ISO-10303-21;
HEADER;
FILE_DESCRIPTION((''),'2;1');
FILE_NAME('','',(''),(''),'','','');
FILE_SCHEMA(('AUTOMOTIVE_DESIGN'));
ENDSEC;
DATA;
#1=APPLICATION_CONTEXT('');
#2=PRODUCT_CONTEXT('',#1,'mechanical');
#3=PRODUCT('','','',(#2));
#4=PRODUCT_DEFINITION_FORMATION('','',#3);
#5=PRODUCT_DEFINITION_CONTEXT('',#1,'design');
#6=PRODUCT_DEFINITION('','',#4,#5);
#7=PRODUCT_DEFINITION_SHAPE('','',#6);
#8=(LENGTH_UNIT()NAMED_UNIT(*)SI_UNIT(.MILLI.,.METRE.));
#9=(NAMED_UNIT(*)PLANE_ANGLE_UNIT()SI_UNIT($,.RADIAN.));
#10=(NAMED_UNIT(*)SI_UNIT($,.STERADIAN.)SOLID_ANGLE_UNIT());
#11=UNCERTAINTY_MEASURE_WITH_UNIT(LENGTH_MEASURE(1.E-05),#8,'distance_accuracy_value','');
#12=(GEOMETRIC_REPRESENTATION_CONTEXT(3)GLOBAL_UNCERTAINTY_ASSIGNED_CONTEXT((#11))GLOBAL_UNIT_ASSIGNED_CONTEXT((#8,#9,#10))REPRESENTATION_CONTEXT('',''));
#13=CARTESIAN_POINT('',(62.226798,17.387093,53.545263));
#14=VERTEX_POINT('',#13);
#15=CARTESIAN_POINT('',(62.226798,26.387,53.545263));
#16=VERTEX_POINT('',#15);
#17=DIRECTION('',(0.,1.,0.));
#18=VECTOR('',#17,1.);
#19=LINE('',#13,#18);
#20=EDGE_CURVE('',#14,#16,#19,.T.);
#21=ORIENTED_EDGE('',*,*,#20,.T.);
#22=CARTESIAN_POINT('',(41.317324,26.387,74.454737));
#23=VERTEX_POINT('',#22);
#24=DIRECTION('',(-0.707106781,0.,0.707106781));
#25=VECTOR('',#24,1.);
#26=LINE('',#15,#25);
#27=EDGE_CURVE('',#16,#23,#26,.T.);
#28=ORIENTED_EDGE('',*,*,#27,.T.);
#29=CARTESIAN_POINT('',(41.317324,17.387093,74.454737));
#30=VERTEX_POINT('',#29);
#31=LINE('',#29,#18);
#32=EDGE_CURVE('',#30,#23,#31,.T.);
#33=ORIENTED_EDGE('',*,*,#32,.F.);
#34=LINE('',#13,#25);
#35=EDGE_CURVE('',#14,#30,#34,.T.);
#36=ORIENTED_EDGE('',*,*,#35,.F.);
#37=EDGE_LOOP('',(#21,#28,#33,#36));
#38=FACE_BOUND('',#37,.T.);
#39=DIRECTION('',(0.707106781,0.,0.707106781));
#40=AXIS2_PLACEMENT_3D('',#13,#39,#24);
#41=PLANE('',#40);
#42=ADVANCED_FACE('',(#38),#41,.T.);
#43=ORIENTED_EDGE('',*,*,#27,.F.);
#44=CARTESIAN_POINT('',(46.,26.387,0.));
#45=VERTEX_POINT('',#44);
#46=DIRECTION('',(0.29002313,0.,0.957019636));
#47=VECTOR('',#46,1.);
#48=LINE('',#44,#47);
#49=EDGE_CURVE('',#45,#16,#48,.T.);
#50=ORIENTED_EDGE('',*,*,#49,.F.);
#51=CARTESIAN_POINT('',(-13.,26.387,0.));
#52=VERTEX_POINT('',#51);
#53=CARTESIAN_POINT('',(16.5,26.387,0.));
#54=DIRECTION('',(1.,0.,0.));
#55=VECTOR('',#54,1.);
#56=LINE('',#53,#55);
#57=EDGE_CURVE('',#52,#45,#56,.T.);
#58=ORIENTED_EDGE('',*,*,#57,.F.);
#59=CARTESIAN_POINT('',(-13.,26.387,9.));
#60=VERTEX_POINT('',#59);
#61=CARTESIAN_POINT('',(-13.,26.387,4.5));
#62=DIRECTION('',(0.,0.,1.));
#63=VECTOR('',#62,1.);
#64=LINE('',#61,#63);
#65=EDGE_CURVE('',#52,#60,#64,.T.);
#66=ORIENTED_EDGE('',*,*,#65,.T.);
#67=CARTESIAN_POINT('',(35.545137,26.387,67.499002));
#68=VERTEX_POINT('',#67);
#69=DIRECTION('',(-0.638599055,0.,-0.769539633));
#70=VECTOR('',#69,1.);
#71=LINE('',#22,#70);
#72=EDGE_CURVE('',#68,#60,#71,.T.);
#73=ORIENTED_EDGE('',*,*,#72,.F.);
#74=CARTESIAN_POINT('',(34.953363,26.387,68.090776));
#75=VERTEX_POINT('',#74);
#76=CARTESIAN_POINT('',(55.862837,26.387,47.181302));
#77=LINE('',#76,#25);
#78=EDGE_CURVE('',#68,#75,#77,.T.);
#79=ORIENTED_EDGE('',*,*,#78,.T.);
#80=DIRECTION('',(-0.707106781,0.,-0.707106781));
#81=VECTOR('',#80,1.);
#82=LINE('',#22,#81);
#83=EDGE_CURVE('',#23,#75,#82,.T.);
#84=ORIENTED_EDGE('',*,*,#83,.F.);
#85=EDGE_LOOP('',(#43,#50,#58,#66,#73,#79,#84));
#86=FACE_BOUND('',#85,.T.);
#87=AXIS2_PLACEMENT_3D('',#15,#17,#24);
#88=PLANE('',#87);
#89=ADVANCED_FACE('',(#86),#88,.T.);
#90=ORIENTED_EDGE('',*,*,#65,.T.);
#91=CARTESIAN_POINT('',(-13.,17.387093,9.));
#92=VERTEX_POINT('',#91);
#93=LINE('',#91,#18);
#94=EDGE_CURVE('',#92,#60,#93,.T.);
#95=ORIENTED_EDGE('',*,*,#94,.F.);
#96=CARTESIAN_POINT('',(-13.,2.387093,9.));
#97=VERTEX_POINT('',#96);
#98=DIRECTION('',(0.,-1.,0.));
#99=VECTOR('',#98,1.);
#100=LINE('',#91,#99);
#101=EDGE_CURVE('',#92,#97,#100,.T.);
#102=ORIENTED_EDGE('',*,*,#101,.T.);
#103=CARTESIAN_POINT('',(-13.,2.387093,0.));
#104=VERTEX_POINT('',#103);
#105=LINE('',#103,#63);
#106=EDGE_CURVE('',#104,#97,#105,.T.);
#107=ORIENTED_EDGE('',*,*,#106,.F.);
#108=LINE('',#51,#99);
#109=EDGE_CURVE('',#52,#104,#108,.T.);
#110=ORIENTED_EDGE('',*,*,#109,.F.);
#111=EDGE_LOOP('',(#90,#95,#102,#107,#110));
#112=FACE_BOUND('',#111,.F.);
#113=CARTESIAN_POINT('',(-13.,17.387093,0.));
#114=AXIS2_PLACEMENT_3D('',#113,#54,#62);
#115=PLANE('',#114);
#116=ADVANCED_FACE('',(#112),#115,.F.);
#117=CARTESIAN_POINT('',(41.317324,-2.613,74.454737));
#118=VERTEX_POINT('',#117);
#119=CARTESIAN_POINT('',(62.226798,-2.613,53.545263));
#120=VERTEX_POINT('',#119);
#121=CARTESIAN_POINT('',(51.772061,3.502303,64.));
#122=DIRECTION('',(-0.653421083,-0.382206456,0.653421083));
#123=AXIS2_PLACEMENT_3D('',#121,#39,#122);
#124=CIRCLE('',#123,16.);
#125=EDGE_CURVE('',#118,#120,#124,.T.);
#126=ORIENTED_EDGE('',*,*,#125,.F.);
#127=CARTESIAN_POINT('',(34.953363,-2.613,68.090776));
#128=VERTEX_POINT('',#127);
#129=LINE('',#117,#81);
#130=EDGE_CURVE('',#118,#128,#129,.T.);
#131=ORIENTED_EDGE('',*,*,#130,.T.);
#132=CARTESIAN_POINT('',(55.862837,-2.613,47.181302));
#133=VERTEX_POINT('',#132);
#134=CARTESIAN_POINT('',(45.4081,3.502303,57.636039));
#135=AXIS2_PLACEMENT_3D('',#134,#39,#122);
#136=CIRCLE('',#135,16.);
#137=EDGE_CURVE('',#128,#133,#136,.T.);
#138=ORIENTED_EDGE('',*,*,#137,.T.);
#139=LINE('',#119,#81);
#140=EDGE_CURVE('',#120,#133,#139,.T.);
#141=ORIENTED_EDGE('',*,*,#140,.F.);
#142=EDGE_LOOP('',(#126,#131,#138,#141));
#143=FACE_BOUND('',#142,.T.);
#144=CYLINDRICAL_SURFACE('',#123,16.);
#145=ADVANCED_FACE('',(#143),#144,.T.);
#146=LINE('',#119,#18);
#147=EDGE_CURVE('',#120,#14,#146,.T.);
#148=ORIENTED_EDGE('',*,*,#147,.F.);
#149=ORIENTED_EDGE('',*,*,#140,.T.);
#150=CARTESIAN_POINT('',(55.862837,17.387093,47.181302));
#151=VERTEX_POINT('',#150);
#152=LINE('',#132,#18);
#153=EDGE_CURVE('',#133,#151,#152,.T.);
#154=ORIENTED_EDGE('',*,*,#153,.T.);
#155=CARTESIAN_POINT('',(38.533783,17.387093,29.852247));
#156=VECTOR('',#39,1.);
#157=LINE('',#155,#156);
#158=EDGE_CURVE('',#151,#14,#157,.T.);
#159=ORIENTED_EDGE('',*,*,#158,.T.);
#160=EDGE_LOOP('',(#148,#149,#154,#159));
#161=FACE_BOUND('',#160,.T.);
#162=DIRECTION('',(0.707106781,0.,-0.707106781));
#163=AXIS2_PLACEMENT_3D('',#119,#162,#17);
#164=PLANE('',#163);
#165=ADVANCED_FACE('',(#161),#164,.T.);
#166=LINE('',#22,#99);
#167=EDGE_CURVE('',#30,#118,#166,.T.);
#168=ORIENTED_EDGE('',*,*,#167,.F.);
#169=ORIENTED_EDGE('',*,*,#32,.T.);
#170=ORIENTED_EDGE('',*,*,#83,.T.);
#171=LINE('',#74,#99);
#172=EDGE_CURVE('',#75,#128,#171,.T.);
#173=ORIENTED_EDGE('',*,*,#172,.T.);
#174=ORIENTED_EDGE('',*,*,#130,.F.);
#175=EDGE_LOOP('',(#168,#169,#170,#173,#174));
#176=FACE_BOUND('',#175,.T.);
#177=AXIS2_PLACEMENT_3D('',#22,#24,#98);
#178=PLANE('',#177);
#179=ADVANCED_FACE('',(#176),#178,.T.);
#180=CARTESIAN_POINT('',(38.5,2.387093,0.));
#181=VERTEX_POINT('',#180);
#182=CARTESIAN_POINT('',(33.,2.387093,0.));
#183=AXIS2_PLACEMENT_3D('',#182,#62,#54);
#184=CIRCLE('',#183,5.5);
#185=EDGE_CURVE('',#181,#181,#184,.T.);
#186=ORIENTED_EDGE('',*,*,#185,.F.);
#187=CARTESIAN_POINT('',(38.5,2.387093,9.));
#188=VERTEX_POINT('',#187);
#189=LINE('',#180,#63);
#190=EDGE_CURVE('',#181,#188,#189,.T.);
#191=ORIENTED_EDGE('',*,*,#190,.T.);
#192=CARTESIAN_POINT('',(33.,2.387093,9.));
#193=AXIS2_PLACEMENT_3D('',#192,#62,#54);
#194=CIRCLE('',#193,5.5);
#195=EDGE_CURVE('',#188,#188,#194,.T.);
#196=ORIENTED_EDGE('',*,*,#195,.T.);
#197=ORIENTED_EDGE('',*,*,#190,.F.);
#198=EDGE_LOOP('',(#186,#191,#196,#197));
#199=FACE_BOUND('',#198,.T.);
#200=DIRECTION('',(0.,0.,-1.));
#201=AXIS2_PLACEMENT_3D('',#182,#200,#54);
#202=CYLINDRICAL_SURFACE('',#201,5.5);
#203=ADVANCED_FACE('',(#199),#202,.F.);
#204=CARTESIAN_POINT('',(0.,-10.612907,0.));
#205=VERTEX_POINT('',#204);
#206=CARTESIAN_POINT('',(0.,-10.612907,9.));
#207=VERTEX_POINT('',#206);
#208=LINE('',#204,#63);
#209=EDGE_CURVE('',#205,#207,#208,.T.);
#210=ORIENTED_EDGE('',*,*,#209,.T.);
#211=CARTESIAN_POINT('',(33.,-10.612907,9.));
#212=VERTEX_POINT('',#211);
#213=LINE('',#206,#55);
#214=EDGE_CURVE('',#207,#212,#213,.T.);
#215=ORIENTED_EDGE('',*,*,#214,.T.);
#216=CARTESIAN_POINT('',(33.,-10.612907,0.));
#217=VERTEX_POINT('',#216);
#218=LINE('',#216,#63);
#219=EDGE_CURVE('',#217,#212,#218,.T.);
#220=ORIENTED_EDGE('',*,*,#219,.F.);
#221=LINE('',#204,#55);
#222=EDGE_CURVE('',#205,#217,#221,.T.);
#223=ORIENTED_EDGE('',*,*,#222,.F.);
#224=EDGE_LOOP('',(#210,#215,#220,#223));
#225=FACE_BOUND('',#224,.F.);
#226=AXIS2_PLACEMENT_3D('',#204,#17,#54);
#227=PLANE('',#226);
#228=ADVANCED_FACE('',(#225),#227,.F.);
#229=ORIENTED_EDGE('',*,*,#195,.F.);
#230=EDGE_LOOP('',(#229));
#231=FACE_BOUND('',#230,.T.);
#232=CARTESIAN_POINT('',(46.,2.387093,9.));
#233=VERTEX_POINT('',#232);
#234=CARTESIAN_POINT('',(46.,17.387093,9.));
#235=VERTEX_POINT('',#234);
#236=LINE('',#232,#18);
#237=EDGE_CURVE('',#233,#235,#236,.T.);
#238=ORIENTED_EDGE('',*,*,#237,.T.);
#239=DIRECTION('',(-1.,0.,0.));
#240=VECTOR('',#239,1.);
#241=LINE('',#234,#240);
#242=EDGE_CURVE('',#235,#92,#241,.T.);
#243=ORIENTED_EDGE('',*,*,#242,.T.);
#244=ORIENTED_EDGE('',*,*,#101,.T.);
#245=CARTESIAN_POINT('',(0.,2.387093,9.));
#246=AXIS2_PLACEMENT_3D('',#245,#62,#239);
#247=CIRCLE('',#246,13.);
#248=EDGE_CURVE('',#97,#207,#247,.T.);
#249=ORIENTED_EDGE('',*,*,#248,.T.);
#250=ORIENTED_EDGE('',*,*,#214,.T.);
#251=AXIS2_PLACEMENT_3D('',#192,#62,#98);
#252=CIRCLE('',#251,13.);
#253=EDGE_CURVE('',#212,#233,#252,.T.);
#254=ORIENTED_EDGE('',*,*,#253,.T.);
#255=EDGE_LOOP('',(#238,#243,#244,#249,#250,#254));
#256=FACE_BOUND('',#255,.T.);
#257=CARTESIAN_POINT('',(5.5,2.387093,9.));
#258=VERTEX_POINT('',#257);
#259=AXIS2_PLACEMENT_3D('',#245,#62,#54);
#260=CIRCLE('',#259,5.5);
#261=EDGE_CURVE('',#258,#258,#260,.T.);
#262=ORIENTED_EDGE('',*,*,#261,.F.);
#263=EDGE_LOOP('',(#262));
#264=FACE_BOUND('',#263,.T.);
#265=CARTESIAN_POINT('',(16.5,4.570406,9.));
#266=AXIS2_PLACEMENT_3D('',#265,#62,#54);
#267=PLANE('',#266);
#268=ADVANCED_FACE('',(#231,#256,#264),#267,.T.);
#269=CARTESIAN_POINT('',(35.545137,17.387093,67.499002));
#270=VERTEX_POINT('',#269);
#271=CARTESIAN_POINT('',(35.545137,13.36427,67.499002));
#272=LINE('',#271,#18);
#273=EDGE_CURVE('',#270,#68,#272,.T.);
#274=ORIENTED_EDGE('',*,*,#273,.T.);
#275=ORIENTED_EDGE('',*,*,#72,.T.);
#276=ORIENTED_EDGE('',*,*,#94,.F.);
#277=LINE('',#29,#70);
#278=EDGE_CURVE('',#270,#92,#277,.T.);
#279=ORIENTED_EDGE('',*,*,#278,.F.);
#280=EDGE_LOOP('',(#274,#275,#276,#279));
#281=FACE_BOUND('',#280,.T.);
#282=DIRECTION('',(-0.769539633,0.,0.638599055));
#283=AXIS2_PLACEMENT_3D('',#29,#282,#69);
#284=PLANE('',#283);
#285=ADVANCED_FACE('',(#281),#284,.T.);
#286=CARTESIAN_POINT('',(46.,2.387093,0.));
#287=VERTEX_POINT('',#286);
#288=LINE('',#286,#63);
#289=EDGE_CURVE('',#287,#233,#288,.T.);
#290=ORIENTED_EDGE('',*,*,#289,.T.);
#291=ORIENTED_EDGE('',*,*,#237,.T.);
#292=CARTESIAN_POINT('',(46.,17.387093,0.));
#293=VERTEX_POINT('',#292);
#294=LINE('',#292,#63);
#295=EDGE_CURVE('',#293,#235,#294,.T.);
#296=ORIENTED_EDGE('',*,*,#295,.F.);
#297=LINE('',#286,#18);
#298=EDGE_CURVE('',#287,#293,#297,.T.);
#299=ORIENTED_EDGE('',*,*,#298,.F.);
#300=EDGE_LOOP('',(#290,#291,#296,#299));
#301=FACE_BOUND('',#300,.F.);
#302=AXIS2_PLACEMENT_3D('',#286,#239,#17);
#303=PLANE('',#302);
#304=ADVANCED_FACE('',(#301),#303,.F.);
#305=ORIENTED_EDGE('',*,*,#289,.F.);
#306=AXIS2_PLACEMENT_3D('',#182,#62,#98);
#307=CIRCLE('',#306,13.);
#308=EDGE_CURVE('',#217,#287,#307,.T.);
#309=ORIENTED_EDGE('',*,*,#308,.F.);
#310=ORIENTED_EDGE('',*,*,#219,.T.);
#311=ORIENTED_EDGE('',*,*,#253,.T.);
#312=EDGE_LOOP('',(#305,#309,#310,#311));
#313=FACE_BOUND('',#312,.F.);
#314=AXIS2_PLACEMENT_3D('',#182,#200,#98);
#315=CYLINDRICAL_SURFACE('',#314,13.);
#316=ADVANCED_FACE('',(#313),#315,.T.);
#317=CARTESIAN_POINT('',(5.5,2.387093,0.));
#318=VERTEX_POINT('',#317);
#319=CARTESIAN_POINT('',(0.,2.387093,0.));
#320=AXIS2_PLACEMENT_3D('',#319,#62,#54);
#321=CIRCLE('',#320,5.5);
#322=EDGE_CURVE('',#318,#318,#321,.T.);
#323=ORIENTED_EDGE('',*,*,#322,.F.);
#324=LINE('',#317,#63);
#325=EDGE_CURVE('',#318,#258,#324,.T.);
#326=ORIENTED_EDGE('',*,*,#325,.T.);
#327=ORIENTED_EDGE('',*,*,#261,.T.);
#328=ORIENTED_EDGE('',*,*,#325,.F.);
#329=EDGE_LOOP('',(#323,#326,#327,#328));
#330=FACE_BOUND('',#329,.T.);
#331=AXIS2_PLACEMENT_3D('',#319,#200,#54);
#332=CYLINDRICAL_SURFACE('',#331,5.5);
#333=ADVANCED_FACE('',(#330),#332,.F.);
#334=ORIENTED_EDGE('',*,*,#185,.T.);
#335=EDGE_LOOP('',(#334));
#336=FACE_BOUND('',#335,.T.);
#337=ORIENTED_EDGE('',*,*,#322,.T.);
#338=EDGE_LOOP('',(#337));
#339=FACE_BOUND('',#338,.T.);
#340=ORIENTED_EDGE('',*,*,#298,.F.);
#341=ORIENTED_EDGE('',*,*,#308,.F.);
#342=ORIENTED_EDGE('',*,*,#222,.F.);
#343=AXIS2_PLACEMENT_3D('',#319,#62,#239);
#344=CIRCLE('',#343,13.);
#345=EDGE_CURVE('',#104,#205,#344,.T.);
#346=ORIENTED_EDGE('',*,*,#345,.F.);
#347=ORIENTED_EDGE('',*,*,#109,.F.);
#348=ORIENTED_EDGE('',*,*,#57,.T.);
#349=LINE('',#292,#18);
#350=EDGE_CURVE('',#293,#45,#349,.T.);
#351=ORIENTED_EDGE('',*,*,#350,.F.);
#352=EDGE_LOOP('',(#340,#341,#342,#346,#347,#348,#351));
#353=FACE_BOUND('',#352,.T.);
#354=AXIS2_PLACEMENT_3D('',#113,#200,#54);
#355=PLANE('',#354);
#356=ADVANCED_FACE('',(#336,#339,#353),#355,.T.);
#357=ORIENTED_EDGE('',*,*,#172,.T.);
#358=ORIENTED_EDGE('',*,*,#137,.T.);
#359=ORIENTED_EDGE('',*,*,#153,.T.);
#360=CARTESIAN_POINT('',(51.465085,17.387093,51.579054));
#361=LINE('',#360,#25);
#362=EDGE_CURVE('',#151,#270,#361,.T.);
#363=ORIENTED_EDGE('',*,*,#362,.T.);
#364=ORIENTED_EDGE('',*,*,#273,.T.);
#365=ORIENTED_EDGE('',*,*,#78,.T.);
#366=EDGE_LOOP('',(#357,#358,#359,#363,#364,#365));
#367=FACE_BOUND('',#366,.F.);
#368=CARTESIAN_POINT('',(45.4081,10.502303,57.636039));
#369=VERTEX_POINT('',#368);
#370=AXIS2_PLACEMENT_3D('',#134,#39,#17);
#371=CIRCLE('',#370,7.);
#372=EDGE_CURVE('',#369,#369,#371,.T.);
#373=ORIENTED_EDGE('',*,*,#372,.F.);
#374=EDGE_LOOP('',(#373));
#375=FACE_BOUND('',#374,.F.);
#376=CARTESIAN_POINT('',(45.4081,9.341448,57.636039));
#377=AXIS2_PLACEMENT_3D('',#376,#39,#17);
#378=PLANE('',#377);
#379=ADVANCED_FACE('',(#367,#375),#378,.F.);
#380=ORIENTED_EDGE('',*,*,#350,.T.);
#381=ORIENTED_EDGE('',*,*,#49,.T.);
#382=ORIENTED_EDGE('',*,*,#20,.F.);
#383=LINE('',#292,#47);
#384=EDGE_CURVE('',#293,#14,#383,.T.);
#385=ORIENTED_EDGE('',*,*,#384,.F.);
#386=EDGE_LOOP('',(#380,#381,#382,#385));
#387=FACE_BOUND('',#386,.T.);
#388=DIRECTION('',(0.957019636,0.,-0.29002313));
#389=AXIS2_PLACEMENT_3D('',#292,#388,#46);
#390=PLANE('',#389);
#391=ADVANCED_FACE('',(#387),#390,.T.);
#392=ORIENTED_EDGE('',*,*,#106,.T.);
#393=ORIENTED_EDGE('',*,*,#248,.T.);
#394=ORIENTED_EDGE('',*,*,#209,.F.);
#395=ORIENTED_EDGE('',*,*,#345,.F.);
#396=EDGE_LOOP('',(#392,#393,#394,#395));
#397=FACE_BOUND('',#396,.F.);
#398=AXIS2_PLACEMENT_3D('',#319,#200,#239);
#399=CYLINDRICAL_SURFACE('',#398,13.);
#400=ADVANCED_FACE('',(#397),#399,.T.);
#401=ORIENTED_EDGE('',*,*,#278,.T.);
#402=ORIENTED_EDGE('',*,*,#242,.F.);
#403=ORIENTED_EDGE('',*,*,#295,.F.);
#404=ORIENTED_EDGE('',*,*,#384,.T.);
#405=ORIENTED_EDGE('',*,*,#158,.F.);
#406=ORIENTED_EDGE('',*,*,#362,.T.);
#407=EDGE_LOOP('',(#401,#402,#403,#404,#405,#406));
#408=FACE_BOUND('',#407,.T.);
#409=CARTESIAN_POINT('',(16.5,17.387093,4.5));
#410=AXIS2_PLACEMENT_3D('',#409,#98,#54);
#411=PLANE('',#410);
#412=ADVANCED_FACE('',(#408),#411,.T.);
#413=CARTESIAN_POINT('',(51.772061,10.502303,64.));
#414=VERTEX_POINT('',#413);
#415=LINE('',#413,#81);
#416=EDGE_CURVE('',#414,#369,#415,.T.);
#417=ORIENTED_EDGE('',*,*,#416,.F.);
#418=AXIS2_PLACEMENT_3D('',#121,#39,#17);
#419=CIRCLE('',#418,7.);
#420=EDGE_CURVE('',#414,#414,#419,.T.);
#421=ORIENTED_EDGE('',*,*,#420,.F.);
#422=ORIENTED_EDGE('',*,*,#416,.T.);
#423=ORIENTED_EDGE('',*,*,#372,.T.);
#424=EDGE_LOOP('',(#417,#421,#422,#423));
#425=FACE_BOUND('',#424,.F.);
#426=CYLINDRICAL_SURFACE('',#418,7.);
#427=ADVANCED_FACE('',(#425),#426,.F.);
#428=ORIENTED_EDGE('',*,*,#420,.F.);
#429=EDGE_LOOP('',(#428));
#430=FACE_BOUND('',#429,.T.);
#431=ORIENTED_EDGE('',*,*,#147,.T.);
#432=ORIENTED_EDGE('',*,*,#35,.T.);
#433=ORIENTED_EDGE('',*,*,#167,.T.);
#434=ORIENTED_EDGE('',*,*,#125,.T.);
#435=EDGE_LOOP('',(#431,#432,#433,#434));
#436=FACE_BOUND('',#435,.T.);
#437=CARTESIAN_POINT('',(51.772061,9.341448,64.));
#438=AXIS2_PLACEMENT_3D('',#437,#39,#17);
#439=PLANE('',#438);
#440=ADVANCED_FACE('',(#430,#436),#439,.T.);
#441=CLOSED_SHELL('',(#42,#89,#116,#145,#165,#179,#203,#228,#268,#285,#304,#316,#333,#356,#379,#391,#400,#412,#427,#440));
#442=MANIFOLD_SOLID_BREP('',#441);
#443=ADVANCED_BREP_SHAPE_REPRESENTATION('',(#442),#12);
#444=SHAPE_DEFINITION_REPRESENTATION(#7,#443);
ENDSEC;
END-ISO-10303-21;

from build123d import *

# Parameters (mm, degrees)
F0_R     = 5.5
F1_DEPTH = 9
F3_START = -17.3870930076
F2_W     = 59
F2_H     = 9
F3_DEPTH = 8.9999069924
F5_R     = 7
F6_DEPTH = 9


with BuildPart() as f1:
    # F0 (on Top) → F1 (new body)
    with BuildSketch(Plane.XY):
        with BuildLine():
            Line((46, 17.3870930076), (-13, 17.3870930076))
            Line((-13, 17.3870930076), (-13, 2.3870930076))
            ThreePointArc((-13, 2.3870930076), (-9.1923881554, -6.8052951478), (0, -10.6129069924))
            Line((0, -10.6129069924), (33, -10.6129069924))
            ThreePointArc((33, -10.6129069924), (42.1923881554, -6.8052951478), (46, 2.3870930076))
            Line((46, 2.3870930076), (46, 17.3870930076))
        make_face()
        with Locations((0, 2.3870930076)):
            Circle(F0_R, mode=Mode.SUBTRACT)
        with Locations((33, 2.3870930076)):
            Circle(F0_R, mode=Mode.SUBTRACT)
    extrude(amount=F1_DEPTH)

    # F2 (on Front) → F3 (join)
    with BuildSketch(Plane.XZ.offset(F3_START)):
        with Locations((16.5, 4.5)):
            Rectangle(F2_W, F2_H)
        Polygon((46, 9), (46, 0), (62.2267983854, 53.5452626646), (41.3173237145, 74.4547373354), (-13, 9), align=None)
    extrude(amount=-F3_DEPTH)

    # F5 (on offset) → F6 (join)
    with BuildSketch(Plane(origin=(57.886030525, 0, 57.886030525), x_dir=(0, 1, 0), z_dir=(0.7071067812, 0, 0.7071067812))):
        with BuildLine():
            Line((-2.613, -6.1387727793), (26.387, -6.1387727793))
            Line((26.387, -6.1387727793), (26.387, 23.4316898824))
            Line((26.387, 23.4316898824), (-2.613, 23.4316898824))
            ThreePointArc((-2.613, 23.4316898824), (-12.4976966965, 8.6464585515), (-2.613, -6.1387727793))
        make_face()
        with Locations((3.5023033035, 8.6464585515)):
            Circle(F5_R, mode=Mode.SUBTRACT)
    extrude(amount=-F6_DEPTH)


solid = f1.part
